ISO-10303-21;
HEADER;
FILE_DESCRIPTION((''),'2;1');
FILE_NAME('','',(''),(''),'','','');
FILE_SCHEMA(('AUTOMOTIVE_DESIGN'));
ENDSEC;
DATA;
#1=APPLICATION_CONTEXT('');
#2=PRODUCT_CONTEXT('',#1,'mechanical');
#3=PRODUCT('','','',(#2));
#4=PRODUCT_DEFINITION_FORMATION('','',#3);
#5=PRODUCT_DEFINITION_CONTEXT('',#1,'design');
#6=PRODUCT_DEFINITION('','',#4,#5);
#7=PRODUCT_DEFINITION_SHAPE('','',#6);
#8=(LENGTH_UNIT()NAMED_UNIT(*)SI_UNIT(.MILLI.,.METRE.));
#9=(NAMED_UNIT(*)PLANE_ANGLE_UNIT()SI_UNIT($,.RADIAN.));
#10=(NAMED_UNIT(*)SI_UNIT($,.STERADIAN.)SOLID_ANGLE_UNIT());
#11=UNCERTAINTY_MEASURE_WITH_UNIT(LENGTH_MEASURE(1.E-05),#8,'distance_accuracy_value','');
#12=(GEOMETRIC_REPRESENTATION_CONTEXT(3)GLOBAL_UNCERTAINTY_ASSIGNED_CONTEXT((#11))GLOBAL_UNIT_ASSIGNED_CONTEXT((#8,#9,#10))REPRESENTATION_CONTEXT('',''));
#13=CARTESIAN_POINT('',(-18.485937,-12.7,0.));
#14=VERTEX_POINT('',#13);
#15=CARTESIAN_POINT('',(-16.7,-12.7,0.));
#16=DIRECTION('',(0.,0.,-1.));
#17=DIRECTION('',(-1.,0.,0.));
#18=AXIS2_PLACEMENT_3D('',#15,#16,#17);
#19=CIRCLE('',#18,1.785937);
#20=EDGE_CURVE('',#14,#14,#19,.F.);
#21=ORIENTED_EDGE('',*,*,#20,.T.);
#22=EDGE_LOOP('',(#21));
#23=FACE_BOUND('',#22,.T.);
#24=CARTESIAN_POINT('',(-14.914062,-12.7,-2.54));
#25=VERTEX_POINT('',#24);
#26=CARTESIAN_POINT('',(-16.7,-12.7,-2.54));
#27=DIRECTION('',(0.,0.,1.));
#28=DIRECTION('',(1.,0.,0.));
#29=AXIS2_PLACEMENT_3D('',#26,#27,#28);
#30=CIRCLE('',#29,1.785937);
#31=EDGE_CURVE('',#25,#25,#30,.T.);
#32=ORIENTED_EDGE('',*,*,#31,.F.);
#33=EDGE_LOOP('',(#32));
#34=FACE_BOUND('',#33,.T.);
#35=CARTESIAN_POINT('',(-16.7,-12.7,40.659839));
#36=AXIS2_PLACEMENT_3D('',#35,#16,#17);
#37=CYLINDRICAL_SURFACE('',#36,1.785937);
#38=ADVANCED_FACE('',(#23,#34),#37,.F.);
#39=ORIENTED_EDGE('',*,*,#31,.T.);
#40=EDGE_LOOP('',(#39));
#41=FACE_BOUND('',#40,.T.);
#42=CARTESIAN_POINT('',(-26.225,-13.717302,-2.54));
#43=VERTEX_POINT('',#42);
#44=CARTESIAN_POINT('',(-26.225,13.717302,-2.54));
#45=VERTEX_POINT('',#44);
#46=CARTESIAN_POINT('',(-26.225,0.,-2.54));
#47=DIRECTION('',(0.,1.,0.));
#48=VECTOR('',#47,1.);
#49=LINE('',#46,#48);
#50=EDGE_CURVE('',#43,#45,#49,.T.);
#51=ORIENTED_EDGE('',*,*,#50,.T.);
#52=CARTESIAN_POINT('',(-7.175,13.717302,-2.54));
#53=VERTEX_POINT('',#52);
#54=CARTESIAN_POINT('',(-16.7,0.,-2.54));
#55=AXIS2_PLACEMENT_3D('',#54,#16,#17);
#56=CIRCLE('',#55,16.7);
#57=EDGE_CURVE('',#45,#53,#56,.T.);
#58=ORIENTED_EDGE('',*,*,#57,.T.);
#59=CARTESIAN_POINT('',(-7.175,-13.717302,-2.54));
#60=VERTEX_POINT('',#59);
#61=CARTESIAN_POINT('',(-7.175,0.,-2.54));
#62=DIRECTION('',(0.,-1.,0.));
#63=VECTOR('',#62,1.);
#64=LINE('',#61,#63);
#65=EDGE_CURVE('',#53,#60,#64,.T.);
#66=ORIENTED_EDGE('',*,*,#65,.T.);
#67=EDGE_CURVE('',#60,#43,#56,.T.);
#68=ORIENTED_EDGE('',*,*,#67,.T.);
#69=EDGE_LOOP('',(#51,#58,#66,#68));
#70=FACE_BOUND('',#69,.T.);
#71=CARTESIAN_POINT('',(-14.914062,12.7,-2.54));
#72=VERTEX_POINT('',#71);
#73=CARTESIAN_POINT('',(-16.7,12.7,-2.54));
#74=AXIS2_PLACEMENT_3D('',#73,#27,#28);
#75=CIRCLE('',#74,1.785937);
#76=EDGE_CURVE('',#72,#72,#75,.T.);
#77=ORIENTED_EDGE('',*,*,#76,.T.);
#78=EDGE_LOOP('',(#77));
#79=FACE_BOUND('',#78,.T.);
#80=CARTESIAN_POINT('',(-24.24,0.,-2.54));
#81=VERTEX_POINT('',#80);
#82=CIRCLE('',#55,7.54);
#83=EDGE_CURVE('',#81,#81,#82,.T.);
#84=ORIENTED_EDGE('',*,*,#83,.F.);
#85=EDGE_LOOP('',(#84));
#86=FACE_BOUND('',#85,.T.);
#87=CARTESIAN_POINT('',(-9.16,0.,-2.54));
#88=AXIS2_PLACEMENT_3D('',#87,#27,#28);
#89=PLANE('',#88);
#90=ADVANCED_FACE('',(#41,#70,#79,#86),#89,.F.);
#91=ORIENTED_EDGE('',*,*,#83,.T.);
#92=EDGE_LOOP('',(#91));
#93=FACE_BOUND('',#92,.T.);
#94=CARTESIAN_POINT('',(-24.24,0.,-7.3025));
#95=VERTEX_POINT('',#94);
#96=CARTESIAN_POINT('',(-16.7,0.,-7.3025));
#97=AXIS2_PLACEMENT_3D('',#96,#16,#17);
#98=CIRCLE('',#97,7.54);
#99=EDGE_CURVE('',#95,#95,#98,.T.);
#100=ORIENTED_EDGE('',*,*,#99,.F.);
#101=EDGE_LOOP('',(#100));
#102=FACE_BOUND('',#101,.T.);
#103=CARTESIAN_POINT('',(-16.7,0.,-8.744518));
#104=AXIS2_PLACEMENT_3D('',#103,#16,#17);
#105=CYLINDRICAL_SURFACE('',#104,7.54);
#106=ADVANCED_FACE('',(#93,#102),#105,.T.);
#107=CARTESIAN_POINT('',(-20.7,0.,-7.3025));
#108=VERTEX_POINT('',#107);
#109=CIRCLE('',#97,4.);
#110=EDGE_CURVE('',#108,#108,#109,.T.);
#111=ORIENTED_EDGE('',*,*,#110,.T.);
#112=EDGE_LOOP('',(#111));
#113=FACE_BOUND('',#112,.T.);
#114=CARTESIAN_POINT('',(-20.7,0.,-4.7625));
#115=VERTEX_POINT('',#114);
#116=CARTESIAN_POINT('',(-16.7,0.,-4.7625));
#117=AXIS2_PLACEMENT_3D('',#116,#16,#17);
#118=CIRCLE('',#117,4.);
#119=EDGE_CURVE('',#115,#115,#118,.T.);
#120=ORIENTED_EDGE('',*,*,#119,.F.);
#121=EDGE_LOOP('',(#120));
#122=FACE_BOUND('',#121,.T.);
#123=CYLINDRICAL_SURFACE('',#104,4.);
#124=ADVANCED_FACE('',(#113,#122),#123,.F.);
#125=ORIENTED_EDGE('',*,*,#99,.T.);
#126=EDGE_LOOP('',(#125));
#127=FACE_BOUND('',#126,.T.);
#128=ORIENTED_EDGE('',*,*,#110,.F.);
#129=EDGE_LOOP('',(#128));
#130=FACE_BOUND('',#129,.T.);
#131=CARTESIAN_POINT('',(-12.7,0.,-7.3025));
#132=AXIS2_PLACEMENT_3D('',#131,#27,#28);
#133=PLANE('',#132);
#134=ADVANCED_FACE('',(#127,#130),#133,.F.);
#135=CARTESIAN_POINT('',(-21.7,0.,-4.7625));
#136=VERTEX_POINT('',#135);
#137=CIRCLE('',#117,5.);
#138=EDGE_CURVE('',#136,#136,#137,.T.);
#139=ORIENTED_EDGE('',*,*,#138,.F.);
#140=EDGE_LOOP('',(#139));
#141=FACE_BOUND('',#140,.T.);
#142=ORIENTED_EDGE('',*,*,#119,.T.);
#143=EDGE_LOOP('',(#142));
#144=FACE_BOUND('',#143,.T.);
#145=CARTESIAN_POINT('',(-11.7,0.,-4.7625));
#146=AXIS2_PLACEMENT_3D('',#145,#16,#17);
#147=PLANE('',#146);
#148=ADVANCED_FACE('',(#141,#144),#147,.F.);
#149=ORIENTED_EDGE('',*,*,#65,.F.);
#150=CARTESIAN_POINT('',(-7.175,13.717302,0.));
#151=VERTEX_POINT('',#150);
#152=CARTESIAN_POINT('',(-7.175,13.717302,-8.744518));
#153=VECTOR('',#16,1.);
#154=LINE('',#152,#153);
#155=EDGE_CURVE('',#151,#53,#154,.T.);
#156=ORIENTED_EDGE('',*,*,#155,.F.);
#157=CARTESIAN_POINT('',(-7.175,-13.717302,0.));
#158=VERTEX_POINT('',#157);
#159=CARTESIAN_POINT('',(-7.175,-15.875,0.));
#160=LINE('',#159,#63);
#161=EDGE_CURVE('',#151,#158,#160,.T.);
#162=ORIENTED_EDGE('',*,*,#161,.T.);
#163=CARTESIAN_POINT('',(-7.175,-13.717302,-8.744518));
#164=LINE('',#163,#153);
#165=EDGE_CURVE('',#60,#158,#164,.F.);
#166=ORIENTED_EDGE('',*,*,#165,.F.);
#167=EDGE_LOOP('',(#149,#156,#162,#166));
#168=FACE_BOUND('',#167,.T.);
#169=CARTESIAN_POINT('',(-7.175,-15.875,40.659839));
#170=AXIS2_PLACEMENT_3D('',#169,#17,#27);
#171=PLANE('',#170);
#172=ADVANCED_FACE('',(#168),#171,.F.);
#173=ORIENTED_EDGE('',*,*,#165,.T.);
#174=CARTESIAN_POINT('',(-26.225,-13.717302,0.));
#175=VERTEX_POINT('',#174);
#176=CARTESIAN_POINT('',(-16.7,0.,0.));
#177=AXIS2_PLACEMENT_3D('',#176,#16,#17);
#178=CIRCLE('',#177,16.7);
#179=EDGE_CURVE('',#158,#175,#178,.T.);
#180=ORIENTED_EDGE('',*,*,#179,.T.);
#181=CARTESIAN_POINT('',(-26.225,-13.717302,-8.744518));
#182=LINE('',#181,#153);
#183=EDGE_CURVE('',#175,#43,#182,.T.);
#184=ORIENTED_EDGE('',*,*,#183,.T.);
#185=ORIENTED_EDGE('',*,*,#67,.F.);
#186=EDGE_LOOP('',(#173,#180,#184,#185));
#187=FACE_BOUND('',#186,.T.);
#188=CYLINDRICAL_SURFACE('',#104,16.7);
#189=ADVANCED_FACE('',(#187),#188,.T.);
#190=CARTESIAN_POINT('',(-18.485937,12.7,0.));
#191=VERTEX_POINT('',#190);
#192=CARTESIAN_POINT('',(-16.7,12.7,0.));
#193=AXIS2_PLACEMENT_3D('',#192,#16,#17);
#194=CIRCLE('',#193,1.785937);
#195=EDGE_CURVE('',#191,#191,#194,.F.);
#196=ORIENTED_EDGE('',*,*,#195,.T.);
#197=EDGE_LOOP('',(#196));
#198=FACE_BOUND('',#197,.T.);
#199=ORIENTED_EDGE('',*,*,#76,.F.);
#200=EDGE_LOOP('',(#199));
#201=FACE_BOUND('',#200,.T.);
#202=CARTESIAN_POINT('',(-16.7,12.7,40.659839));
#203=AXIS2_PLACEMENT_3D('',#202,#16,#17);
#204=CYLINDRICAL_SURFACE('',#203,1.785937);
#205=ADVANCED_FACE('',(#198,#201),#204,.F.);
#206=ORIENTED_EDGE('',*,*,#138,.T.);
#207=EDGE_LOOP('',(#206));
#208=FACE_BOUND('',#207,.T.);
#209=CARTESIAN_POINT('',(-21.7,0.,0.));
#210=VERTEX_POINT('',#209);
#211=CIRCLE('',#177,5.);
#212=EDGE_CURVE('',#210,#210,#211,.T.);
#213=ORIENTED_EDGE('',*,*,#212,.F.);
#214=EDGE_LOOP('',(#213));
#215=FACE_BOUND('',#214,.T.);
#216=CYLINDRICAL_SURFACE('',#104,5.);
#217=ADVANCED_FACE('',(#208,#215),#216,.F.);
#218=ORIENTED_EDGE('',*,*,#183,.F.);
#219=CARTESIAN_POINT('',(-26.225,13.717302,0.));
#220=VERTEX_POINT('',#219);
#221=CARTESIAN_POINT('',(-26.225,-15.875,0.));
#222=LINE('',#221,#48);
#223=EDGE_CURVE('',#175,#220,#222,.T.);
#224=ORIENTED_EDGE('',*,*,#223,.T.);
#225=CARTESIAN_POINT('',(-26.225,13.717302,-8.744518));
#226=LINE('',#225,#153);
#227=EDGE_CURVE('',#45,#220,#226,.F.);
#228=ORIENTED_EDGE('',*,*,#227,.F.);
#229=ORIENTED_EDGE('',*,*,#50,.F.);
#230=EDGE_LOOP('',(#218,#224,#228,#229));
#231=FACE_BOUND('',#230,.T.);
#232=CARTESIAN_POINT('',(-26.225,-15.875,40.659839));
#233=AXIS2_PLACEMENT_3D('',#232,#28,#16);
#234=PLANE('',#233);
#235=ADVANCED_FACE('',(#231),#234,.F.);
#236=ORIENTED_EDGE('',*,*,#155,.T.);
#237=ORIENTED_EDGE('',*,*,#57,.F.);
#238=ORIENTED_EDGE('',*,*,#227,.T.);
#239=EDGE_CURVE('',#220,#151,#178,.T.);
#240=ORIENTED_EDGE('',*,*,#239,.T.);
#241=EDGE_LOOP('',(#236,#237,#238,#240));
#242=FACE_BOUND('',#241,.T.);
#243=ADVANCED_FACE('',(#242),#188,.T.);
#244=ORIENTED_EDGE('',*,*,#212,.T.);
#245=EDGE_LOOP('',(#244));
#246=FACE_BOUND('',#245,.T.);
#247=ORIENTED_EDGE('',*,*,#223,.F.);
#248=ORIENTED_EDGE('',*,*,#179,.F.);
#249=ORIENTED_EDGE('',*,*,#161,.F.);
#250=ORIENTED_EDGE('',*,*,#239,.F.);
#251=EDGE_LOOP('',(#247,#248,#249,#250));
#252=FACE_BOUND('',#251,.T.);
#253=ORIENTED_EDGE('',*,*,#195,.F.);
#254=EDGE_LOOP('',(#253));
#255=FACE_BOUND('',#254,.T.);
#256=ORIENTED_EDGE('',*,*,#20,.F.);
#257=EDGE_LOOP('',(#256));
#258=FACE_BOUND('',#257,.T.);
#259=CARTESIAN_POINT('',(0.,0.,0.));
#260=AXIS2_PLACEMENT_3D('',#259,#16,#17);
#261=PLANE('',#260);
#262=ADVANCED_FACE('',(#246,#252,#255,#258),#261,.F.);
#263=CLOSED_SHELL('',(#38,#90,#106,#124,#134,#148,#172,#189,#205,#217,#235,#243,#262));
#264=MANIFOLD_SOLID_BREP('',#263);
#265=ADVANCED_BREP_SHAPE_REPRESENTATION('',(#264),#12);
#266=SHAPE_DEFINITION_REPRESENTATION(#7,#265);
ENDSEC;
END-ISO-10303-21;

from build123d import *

# Parameters (mm, degrees)
SKETCH2_R          = 1.7859375
SKETCH2_W          = 25.4
SKETCH2_H          = 31.75
CUT_EXTRUDE1_DEPTH = 7.3025


with BuildPart() as part:
    # Sketch1 → Revolve1 (revolve)
    with BuildSketch(Plane(origin=(0, 0, 0), x_dir=(1, 0, 0), z_dir=(0, 1, 0)), mode=Mode.PRIVATE) as revolve1_sk:
        Polygon((0, 0), (-11.7, 0), (-11.7, 4.7625), (-12.7, 4.7625), (-12.7, 7.3025), (-9.16, 7.3025), (-9.16, 2.54), (0, 2.54), align=None)
    revolve(revolve1_sk.sketch.rotate(Axis((-16.7, 0, -8.744517985), (0, 0, 1)), 180), axis=Axis((-16.7, 0, -8.744517985), (0, 0, 1)))

    # Sketch2 → Cut-Extrude1 (cut)
    with BuildSketch(Plane(origin=(0, 0, -7.3025), x_dir=(-1, 0, 0), z_dir=(0, 0, -1))):
        with Locations((16.7, -12.7)):
            Circle(SKETCH2_R)
        with Locations((16.7, 12.7)):
            Circle(SKETCH2_R)
        with Locations((38.925, 0)):
            Rectangle(SKETCH2_W, SKETCH2_H)
        with Locations((-5.525, 0)):
            Rectangle(SKETCH2_W, SKETCH2_H)
    extrude(amount=-CUT_EXTRUDE1_DEPTH, mode=Mode.SUBTRACT)


solid = part.part
